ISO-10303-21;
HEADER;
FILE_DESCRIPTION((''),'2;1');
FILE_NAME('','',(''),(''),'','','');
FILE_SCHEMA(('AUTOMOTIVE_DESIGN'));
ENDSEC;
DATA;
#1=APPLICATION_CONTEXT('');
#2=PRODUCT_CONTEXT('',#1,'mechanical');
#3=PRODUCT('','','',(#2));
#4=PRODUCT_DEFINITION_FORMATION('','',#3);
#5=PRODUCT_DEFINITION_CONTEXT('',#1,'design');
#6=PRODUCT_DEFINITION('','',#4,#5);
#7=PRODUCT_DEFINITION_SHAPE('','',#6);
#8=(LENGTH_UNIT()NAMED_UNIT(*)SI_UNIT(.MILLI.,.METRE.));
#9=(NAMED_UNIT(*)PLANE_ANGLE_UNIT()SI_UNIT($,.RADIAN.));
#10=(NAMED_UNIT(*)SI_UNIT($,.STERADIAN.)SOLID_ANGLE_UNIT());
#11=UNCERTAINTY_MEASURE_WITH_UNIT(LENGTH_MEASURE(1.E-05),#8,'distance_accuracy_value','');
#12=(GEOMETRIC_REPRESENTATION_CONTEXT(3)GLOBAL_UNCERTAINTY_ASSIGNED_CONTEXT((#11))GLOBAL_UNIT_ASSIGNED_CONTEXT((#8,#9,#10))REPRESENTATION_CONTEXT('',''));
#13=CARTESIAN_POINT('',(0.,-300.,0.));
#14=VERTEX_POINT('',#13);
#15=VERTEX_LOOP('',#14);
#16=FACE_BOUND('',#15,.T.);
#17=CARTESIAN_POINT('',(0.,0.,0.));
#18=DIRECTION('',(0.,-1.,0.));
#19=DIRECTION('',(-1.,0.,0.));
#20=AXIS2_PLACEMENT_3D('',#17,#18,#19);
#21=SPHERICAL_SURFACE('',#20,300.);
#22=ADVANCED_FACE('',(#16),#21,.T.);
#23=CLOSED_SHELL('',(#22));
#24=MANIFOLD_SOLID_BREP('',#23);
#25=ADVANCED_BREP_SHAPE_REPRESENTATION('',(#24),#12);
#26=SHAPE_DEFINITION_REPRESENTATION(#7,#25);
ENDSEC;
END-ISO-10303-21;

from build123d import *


with BuildPart() as part:
    # Sketch1 → Revolve1 (revolve)
    with BuildSketch(Plane.XY):
        with BuildLine():
            Line((0, -300), (0, 300))
            ThreePointArc((0, 300), (300, 0), (0, -300))
        make_face()
    revolve(axis=Axis((0, -300, 0), (0, 1, 0)))


solid = part.part
